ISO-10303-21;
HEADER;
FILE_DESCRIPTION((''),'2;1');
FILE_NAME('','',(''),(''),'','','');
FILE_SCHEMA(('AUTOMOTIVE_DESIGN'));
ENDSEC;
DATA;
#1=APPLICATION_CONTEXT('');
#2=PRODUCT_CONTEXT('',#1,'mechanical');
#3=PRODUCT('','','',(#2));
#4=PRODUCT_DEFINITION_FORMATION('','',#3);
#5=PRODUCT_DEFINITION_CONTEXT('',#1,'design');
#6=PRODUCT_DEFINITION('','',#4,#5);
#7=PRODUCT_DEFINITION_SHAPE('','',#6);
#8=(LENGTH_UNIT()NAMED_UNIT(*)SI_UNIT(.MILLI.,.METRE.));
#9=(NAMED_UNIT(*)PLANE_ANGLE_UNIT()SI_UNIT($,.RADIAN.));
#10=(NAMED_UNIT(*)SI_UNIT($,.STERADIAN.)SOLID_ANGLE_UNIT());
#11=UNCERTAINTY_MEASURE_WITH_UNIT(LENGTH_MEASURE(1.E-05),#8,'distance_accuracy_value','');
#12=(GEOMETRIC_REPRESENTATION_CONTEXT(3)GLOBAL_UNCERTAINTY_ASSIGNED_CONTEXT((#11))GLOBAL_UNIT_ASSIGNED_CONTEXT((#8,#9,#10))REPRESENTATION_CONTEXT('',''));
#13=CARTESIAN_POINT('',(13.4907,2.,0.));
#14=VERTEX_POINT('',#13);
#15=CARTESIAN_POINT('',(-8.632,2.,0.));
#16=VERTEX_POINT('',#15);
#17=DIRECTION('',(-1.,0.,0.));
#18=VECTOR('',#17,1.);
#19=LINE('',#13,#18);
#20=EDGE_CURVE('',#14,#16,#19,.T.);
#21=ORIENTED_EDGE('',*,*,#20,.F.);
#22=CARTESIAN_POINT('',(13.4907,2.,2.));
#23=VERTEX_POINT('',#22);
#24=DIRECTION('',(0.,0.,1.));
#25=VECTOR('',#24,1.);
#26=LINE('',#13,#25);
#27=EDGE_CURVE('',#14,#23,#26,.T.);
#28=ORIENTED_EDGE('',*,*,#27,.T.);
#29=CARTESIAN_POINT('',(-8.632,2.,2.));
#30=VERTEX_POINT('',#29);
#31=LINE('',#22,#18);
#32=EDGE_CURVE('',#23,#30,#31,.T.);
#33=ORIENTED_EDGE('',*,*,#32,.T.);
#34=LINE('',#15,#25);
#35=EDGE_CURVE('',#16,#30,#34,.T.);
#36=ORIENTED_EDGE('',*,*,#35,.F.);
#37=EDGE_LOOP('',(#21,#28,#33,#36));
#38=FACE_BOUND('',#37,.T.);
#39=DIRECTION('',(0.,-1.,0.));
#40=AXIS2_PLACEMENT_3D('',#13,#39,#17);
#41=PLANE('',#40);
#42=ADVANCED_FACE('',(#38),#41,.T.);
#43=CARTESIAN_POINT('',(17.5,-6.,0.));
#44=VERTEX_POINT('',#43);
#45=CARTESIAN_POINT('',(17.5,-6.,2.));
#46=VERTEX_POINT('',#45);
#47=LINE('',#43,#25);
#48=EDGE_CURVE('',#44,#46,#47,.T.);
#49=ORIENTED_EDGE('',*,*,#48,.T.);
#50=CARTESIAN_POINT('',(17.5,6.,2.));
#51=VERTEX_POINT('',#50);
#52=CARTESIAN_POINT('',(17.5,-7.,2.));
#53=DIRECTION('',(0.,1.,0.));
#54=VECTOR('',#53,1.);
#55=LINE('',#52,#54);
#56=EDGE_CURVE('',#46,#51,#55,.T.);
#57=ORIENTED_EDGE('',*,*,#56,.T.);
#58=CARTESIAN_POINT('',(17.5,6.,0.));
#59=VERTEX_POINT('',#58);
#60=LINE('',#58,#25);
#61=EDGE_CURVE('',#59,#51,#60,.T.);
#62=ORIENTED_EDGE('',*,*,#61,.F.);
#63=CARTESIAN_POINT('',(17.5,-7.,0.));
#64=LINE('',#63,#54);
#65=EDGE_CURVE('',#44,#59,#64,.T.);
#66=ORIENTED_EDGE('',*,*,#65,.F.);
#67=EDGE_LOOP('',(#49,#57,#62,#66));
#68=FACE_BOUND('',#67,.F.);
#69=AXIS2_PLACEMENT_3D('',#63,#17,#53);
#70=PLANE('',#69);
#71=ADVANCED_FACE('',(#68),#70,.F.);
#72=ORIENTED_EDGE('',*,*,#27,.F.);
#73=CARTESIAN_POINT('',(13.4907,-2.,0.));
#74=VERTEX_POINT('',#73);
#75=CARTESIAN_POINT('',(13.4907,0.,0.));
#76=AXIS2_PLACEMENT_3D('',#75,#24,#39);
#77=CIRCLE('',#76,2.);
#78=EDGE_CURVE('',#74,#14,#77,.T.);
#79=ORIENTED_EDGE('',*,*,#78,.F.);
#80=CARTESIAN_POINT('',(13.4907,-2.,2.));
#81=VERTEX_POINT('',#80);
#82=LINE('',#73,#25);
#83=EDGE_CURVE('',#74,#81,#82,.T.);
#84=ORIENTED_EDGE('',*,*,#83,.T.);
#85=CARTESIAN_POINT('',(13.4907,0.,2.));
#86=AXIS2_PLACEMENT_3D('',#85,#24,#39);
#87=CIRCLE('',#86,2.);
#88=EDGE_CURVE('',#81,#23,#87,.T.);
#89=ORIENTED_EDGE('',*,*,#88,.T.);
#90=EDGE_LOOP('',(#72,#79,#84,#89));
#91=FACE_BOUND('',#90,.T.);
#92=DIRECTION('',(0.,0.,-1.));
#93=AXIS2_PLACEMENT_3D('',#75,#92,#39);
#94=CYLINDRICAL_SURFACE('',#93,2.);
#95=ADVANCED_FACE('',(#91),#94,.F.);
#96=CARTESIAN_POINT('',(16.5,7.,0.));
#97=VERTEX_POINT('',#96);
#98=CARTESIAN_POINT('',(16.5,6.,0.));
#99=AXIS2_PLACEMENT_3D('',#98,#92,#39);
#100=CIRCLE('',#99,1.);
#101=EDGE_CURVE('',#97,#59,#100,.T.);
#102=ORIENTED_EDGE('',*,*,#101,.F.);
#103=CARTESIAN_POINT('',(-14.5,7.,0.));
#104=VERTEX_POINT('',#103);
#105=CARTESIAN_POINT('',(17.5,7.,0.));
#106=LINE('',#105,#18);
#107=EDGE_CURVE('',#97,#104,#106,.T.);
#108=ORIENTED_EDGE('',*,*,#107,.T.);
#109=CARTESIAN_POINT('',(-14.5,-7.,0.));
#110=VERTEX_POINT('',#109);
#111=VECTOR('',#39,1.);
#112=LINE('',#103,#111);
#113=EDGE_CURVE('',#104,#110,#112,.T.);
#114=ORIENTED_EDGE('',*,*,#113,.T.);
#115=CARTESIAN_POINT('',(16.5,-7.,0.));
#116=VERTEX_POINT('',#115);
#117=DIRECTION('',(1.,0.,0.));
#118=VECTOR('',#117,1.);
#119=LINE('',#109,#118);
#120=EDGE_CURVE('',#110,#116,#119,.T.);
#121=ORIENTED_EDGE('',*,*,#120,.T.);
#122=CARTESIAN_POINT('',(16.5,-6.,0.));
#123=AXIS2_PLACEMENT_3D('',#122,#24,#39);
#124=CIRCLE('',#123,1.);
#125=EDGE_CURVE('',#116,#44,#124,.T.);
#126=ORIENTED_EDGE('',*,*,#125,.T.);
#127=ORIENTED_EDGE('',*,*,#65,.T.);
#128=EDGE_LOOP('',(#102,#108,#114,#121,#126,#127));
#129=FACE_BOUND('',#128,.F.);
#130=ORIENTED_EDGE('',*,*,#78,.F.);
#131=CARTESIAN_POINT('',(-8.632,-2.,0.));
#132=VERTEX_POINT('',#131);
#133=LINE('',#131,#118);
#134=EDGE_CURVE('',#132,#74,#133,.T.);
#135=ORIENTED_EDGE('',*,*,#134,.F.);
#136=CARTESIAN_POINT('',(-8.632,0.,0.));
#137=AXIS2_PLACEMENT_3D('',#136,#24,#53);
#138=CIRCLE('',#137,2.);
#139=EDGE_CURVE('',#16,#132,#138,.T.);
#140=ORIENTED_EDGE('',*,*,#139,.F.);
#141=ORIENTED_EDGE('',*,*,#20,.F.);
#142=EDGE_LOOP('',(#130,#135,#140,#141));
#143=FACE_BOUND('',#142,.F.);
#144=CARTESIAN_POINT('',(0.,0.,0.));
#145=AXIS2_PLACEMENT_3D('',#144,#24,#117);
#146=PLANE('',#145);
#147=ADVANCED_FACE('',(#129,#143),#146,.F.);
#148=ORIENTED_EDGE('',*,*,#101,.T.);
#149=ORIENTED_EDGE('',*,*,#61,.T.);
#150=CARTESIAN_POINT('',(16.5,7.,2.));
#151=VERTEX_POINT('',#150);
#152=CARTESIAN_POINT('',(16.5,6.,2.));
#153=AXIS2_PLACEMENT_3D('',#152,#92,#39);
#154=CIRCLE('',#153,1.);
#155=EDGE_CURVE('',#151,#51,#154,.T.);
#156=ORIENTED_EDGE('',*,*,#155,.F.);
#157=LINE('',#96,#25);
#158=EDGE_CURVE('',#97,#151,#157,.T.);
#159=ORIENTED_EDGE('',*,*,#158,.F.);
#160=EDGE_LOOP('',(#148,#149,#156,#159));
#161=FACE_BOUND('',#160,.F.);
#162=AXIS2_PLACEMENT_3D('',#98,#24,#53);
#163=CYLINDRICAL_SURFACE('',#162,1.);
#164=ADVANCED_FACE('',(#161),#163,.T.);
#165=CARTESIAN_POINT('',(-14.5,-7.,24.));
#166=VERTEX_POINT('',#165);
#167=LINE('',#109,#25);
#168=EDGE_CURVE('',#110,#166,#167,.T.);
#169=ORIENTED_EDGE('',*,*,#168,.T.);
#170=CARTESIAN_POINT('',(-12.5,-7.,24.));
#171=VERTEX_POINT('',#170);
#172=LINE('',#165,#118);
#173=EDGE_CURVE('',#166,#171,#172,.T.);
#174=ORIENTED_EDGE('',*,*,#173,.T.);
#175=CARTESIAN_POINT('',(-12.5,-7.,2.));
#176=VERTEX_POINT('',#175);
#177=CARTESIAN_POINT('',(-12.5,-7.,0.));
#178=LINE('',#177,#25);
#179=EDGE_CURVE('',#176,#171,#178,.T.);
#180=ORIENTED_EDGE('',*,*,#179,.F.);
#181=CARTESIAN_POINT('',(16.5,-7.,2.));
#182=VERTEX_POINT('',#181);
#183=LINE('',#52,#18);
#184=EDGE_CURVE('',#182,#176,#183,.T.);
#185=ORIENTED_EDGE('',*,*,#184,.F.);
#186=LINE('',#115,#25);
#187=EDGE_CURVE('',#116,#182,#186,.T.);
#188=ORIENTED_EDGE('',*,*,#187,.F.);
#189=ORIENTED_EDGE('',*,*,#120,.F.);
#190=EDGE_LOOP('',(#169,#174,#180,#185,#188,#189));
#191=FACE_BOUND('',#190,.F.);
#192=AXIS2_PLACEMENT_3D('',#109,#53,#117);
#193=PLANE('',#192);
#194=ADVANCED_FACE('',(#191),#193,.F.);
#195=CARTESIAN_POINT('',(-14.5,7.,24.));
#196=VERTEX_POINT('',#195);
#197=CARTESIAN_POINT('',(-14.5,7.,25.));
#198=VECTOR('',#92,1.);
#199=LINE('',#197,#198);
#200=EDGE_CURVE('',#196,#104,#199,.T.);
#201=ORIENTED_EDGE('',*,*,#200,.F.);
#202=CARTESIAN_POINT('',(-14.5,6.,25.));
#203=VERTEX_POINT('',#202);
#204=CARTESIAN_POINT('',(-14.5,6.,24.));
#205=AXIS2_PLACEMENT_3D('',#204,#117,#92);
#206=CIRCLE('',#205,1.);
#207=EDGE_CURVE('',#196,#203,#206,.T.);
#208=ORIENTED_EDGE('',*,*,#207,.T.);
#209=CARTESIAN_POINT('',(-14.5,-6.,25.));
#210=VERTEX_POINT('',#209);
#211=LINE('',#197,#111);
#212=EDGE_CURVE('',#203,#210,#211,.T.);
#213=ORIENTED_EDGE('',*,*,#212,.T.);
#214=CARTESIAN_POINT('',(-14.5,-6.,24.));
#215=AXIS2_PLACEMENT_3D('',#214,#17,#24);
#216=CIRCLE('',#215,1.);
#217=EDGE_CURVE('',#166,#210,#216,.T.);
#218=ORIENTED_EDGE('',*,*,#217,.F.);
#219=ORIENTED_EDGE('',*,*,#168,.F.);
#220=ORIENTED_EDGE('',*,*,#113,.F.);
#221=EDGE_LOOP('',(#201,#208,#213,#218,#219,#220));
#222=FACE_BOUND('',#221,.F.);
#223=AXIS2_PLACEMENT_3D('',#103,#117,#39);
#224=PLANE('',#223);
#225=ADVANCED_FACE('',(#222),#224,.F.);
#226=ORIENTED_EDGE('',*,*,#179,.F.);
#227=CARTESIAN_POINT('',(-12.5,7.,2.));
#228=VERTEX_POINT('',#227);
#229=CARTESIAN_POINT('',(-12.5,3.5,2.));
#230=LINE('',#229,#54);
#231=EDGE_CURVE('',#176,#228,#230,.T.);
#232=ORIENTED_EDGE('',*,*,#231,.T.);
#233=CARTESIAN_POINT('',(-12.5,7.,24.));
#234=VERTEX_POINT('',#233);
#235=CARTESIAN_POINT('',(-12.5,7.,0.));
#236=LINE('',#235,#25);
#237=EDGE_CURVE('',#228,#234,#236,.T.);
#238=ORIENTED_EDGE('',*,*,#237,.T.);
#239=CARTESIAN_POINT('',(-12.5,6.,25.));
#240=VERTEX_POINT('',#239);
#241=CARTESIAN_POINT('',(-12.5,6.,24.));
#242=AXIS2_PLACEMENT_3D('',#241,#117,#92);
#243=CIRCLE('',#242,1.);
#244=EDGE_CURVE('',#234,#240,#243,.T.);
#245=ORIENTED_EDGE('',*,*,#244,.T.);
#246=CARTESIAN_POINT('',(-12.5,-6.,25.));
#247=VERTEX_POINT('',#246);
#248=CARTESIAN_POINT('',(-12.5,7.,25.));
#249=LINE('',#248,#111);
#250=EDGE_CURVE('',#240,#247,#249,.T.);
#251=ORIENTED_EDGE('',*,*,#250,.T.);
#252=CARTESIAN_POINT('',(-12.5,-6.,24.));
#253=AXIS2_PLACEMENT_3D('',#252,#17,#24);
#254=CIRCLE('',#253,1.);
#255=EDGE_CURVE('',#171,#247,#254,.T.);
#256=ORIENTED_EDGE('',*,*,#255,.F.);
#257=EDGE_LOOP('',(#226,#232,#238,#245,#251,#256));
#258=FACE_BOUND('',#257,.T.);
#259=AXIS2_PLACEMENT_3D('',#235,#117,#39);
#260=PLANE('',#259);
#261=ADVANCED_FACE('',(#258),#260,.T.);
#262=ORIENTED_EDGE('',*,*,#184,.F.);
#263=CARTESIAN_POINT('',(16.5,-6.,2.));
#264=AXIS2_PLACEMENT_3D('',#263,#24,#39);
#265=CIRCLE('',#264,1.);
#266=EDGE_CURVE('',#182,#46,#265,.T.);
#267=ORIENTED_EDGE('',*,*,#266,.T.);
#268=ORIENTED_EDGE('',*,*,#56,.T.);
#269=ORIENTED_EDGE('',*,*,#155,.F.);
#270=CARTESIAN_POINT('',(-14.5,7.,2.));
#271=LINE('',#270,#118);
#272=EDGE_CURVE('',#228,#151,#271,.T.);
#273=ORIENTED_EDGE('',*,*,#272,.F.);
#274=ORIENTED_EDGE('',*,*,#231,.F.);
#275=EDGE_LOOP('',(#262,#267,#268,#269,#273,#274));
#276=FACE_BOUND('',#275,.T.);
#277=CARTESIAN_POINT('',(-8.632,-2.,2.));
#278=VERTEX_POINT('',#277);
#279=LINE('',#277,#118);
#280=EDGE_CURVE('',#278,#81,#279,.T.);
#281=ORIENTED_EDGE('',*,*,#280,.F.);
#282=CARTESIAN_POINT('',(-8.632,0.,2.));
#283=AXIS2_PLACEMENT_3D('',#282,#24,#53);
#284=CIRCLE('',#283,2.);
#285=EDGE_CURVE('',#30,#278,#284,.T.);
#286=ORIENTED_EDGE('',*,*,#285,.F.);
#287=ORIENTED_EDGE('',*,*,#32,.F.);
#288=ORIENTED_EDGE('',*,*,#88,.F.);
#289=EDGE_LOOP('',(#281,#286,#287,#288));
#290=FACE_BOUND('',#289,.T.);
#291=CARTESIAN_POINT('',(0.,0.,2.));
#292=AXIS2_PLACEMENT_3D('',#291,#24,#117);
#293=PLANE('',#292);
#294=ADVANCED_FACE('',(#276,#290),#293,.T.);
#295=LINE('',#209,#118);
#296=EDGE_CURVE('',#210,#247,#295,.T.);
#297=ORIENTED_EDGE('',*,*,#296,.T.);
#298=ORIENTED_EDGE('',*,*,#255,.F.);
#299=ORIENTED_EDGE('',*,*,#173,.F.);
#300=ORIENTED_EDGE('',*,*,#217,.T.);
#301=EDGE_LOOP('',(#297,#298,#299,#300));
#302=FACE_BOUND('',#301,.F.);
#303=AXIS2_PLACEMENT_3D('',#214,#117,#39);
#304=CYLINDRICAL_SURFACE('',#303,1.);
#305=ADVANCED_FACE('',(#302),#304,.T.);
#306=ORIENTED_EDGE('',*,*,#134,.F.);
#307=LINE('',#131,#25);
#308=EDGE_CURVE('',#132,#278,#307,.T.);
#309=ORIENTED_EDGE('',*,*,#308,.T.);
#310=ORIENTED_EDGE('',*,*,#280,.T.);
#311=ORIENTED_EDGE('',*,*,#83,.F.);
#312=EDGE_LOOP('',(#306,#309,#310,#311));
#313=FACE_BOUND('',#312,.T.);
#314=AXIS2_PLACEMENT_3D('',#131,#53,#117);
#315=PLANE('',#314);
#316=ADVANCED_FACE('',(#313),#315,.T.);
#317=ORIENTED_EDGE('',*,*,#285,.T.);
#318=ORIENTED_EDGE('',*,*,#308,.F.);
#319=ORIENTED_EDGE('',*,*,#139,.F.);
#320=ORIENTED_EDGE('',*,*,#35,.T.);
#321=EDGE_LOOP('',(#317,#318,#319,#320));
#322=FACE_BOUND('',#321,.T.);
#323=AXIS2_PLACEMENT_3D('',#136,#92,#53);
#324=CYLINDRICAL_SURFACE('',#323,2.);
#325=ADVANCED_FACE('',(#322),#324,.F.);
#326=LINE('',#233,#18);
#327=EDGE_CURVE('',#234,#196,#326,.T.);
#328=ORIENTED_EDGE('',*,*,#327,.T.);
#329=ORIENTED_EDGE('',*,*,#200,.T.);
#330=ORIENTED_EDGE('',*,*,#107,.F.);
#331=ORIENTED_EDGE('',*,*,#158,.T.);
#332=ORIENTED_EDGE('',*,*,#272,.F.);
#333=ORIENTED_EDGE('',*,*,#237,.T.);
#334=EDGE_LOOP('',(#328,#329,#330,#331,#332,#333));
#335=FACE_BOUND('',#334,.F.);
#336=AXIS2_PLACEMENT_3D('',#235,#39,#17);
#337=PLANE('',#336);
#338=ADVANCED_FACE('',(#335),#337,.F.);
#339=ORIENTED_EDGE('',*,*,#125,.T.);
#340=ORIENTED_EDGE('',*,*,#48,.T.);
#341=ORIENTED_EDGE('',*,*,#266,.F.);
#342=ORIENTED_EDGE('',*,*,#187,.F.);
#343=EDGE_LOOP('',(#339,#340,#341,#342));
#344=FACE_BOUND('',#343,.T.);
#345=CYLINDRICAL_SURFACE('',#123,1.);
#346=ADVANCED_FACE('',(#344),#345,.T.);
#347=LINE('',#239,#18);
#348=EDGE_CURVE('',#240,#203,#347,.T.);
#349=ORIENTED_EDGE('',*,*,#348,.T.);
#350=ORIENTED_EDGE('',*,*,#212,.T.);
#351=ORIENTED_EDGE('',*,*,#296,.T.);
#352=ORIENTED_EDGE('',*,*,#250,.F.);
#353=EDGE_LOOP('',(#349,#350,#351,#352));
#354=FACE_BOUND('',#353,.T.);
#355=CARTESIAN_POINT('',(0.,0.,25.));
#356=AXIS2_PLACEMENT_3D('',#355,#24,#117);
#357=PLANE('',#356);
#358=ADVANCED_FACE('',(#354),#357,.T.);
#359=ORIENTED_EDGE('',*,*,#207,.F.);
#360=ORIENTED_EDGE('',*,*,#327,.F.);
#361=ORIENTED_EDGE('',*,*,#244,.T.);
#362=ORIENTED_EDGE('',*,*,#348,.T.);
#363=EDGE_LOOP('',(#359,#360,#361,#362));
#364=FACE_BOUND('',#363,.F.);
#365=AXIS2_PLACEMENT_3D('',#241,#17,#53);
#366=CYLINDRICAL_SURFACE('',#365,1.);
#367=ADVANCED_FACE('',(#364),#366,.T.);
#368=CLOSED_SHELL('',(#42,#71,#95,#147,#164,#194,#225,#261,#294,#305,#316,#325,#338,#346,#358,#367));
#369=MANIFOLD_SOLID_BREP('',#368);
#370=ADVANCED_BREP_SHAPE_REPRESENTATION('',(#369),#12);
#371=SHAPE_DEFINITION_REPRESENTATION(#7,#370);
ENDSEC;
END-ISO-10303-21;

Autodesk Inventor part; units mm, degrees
ref_plane "YZ Plane" through (0, 0, 0) normal (1, 0, 0) x (0, 1, 0)
ref_plane "XZ Plane" through (0, 0, 0) normal (0, 1, 0) x (-1, 0, 0)
ref_plane "XY Plane" through (0, 0, 0) normal (0, 0, 1) x (1, 0, 0)
sketch "Sketch1" plane through (0, 0, 0) normal (0, 0, 1) x (1, 0, 0)
  line L0 (-14.5, -7) -> (17.5, -7)
  line L1 (17.5, -7) -> (17.5, 7)
  line L2 (17.5, 7) -> (-14.5, 7)
  line L3 (-14.5, 7) -> (-14.5, -7)
  line L4 (-14.5, -7) -> (17.5, 7) construction
  line L5 (17.5, -7) -> (-14.5, 7) construction
  line L6 (-14.5, 7) -> (-12.5, 7)
  line L7 (-12.5, 7) -> (-12.5, -7)
  line L8 (-12.5, -7) -> (-14.5, -7)
  line L9 (-14.5, -7) -> (-14.5, 7)
  line L10 (13.4907, 0) -> (-8.632, 0) construction
  line L11 (13.4907, 2) -> (-8.632, 2)
  line L12 (-8.632, -2) -> (13.4907, -2)
  arc A0 (13.4907, -2) -> (13.4907, 2) centre (13.4907, 0) ccw
  arc A1 (-8.632, 2) -> (-8.632, -2) centre (-8.632, 0) ccw
  point P0 (2.4294, 0)
  dimension "d0" = 32
  dimension "d1" = 14
  dimension "d4" = 2
  dimension "d6" = 4
extrude "Extrusion1" add sketch "Sketch1" along normal blind 2
extrude "Extrusion2" add sketch "Sketch1" along normal blind 25 contours L3 L2 L7 L0
fillet "Fillet1" radius 1 4 edges at (17.5, -7, 1) (17.5, 7, 1) (-13.5, 7, 25) (-13.5, -7, 25)
properties part number "actuator_backbone_fixings_for_measurements"
